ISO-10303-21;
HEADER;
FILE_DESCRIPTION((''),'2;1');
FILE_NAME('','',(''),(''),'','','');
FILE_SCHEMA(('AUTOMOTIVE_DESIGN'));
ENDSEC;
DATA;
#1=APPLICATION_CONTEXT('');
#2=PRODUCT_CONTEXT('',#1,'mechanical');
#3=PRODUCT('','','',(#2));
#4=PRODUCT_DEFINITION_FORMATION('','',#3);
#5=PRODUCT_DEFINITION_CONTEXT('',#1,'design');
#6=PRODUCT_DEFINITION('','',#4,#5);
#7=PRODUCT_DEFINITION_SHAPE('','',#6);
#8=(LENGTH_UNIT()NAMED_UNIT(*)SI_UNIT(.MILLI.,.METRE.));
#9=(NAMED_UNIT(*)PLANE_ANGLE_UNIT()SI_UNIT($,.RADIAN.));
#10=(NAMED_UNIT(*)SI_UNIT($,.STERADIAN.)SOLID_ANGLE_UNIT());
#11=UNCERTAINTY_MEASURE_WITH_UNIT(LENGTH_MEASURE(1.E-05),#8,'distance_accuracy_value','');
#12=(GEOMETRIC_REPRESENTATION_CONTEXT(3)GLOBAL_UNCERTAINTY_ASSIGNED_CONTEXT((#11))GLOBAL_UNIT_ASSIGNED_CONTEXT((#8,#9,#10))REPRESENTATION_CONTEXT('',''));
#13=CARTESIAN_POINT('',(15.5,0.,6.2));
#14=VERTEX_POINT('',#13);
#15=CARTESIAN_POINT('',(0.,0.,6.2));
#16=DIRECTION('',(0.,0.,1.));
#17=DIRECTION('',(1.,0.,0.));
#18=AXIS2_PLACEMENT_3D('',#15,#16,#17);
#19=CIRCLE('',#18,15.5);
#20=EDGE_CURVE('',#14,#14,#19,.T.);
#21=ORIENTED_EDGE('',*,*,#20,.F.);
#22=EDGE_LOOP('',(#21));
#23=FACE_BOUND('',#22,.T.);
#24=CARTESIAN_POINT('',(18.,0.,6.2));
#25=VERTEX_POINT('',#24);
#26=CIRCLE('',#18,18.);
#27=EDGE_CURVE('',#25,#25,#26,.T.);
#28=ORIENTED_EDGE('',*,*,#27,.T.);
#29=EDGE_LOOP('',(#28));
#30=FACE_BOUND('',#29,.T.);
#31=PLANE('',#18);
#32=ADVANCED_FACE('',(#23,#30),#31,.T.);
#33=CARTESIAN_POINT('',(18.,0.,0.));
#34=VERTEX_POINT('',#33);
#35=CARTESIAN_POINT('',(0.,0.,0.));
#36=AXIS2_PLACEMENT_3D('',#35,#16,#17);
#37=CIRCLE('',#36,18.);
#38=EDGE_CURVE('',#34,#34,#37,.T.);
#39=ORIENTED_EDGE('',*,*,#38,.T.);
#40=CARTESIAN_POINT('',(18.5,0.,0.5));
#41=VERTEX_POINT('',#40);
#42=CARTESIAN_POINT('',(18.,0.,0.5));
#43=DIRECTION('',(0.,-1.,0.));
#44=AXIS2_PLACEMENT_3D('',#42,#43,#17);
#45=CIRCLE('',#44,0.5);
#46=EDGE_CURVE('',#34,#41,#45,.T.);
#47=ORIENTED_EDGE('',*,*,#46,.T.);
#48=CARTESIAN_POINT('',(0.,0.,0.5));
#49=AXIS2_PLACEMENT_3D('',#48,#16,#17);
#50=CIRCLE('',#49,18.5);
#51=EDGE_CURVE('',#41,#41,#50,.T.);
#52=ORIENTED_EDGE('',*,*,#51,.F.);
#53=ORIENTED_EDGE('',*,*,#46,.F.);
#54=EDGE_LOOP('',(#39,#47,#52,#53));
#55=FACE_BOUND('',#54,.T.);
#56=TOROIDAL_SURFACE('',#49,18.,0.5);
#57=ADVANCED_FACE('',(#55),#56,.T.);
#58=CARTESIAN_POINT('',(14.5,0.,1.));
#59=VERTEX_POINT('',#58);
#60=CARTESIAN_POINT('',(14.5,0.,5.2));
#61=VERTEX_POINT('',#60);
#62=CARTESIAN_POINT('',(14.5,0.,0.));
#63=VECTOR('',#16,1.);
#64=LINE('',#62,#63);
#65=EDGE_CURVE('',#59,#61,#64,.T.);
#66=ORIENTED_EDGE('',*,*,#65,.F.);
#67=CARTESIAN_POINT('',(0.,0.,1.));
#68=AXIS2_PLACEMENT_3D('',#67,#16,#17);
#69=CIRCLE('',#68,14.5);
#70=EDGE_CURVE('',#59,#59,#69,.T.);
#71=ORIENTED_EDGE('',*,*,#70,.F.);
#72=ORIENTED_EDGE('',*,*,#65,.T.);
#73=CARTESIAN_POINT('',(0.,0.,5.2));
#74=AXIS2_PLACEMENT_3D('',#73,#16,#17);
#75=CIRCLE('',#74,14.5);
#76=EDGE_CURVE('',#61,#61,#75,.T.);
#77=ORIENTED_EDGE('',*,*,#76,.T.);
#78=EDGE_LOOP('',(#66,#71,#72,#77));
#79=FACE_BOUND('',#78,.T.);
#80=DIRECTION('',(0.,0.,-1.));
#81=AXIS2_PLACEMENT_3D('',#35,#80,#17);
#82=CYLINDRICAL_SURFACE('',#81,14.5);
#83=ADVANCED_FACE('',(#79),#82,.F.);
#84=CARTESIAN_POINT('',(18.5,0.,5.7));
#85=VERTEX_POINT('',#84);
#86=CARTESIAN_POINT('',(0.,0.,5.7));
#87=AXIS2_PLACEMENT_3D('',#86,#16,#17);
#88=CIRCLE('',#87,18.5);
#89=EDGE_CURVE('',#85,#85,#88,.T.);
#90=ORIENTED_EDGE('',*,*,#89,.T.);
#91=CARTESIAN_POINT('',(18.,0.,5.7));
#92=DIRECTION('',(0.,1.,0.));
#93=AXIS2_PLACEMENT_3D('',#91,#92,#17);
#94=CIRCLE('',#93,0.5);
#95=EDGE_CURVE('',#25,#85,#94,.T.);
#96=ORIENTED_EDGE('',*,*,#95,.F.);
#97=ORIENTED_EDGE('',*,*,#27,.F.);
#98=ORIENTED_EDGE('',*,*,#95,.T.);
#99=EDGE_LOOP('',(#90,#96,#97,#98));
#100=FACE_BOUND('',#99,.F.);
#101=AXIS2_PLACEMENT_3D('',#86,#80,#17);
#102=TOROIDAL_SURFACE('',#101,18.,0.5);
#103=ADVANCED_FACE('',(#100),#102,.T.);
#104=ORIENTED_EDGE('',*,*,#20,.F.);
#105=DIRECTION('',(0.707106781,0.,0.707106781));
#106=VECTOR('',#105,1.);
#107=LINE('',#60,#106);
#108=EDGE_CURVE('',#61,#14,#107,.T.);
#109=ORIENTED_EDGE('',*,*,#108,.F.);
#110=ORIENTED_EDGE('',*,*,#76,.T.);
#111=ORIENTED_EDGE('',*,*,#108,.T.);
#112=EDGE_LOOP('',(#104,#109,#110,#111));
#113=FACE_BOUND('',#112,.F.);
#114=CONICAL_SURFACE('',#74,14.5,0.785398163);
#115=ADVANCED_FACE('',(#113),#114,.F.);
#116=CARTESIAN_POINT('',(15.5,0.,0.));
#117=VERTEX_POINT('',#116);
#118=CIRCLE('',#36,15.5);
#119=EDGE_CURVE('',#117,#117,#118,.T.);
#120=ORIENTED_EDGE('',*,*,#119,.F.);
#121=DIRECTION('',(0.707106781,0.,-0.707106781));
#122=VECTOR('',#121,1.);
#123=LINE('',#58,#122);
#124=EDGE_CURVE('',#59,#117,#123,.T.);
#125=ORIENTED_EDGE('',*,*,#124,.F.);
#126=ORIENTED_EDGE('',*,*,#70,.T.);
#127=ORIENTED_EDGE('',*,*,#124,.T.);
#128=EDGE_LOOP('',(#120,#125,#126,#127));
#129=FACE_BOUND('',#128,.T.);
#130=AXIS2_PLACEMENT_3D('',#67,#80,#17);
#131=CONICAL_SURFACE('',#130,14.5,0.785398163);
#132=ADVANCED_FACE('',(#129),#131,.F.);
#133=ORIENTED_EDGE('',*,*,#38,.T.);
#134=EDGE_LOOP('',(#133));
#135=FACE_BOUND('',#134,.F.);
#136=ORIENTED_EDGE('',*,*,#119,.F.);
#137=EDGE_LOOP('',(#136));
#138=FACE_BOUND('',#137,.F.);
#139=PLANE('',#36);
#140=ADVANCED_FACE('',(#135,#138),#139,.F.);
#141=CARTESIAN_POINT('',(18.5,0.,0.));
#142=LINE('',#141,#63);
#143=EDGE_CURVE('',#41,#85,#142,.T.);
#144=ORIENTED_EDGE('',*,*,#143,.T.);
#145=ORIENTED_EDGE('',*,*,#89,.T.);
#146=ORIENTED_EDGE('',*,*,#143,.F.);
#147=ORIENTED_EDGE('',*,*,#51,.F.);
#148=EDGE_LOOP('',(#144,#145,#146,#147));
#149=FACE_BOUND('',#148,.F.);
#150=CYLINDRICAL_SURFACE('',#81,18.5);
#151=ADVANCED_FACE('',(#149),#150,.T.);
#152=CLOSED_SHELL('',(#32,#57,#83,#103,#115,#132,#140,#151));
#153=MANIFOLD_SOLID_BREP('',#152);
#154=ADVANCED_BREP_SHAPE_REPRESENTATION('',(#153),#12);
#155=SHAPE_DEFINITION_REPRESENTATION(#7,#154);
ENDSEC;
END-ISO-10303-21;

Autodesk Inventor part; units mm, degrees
ref_plane "YZ Plane" through (0, 0, 0) normal (1, 0, 0) x (0, 1, 0)
ref_plane "XZ Plane" through (0, 0, 0) normal (0, 1, 0) x (-1, 0, 0)
ref_plane "XY Plane" through (0, 0, 0) normal (0, 0, 1) x (1, 0, 0)
sketch "Sketch1" plane through (0, 0, 0) normal (0, 0, 1) x (1, 0, 0)
  circle A0 centre (0, 0) radius 18.5
  circle A1 centre (0, 0) radius 14.5
  dimension "d0" = 37
  dimension "d1" = 29
extrude "Extrusion1" add sketch "Sketch1" along normal blind 6.2
thread "Thread1" size "M30x1.5" class "6H" standard "ANSI Metric M Profile" full length
chamfer "Chamfer1" distance 1 angle 45 2 edges at (-14.5, 0, 6.2) (-14.5, 0, 0)
fillet "Fillet1" radius 0.5 2 edges at (-18.5, 0, 6.2) (-18.5, 0, 0)
properties part number "13536_Ring"
